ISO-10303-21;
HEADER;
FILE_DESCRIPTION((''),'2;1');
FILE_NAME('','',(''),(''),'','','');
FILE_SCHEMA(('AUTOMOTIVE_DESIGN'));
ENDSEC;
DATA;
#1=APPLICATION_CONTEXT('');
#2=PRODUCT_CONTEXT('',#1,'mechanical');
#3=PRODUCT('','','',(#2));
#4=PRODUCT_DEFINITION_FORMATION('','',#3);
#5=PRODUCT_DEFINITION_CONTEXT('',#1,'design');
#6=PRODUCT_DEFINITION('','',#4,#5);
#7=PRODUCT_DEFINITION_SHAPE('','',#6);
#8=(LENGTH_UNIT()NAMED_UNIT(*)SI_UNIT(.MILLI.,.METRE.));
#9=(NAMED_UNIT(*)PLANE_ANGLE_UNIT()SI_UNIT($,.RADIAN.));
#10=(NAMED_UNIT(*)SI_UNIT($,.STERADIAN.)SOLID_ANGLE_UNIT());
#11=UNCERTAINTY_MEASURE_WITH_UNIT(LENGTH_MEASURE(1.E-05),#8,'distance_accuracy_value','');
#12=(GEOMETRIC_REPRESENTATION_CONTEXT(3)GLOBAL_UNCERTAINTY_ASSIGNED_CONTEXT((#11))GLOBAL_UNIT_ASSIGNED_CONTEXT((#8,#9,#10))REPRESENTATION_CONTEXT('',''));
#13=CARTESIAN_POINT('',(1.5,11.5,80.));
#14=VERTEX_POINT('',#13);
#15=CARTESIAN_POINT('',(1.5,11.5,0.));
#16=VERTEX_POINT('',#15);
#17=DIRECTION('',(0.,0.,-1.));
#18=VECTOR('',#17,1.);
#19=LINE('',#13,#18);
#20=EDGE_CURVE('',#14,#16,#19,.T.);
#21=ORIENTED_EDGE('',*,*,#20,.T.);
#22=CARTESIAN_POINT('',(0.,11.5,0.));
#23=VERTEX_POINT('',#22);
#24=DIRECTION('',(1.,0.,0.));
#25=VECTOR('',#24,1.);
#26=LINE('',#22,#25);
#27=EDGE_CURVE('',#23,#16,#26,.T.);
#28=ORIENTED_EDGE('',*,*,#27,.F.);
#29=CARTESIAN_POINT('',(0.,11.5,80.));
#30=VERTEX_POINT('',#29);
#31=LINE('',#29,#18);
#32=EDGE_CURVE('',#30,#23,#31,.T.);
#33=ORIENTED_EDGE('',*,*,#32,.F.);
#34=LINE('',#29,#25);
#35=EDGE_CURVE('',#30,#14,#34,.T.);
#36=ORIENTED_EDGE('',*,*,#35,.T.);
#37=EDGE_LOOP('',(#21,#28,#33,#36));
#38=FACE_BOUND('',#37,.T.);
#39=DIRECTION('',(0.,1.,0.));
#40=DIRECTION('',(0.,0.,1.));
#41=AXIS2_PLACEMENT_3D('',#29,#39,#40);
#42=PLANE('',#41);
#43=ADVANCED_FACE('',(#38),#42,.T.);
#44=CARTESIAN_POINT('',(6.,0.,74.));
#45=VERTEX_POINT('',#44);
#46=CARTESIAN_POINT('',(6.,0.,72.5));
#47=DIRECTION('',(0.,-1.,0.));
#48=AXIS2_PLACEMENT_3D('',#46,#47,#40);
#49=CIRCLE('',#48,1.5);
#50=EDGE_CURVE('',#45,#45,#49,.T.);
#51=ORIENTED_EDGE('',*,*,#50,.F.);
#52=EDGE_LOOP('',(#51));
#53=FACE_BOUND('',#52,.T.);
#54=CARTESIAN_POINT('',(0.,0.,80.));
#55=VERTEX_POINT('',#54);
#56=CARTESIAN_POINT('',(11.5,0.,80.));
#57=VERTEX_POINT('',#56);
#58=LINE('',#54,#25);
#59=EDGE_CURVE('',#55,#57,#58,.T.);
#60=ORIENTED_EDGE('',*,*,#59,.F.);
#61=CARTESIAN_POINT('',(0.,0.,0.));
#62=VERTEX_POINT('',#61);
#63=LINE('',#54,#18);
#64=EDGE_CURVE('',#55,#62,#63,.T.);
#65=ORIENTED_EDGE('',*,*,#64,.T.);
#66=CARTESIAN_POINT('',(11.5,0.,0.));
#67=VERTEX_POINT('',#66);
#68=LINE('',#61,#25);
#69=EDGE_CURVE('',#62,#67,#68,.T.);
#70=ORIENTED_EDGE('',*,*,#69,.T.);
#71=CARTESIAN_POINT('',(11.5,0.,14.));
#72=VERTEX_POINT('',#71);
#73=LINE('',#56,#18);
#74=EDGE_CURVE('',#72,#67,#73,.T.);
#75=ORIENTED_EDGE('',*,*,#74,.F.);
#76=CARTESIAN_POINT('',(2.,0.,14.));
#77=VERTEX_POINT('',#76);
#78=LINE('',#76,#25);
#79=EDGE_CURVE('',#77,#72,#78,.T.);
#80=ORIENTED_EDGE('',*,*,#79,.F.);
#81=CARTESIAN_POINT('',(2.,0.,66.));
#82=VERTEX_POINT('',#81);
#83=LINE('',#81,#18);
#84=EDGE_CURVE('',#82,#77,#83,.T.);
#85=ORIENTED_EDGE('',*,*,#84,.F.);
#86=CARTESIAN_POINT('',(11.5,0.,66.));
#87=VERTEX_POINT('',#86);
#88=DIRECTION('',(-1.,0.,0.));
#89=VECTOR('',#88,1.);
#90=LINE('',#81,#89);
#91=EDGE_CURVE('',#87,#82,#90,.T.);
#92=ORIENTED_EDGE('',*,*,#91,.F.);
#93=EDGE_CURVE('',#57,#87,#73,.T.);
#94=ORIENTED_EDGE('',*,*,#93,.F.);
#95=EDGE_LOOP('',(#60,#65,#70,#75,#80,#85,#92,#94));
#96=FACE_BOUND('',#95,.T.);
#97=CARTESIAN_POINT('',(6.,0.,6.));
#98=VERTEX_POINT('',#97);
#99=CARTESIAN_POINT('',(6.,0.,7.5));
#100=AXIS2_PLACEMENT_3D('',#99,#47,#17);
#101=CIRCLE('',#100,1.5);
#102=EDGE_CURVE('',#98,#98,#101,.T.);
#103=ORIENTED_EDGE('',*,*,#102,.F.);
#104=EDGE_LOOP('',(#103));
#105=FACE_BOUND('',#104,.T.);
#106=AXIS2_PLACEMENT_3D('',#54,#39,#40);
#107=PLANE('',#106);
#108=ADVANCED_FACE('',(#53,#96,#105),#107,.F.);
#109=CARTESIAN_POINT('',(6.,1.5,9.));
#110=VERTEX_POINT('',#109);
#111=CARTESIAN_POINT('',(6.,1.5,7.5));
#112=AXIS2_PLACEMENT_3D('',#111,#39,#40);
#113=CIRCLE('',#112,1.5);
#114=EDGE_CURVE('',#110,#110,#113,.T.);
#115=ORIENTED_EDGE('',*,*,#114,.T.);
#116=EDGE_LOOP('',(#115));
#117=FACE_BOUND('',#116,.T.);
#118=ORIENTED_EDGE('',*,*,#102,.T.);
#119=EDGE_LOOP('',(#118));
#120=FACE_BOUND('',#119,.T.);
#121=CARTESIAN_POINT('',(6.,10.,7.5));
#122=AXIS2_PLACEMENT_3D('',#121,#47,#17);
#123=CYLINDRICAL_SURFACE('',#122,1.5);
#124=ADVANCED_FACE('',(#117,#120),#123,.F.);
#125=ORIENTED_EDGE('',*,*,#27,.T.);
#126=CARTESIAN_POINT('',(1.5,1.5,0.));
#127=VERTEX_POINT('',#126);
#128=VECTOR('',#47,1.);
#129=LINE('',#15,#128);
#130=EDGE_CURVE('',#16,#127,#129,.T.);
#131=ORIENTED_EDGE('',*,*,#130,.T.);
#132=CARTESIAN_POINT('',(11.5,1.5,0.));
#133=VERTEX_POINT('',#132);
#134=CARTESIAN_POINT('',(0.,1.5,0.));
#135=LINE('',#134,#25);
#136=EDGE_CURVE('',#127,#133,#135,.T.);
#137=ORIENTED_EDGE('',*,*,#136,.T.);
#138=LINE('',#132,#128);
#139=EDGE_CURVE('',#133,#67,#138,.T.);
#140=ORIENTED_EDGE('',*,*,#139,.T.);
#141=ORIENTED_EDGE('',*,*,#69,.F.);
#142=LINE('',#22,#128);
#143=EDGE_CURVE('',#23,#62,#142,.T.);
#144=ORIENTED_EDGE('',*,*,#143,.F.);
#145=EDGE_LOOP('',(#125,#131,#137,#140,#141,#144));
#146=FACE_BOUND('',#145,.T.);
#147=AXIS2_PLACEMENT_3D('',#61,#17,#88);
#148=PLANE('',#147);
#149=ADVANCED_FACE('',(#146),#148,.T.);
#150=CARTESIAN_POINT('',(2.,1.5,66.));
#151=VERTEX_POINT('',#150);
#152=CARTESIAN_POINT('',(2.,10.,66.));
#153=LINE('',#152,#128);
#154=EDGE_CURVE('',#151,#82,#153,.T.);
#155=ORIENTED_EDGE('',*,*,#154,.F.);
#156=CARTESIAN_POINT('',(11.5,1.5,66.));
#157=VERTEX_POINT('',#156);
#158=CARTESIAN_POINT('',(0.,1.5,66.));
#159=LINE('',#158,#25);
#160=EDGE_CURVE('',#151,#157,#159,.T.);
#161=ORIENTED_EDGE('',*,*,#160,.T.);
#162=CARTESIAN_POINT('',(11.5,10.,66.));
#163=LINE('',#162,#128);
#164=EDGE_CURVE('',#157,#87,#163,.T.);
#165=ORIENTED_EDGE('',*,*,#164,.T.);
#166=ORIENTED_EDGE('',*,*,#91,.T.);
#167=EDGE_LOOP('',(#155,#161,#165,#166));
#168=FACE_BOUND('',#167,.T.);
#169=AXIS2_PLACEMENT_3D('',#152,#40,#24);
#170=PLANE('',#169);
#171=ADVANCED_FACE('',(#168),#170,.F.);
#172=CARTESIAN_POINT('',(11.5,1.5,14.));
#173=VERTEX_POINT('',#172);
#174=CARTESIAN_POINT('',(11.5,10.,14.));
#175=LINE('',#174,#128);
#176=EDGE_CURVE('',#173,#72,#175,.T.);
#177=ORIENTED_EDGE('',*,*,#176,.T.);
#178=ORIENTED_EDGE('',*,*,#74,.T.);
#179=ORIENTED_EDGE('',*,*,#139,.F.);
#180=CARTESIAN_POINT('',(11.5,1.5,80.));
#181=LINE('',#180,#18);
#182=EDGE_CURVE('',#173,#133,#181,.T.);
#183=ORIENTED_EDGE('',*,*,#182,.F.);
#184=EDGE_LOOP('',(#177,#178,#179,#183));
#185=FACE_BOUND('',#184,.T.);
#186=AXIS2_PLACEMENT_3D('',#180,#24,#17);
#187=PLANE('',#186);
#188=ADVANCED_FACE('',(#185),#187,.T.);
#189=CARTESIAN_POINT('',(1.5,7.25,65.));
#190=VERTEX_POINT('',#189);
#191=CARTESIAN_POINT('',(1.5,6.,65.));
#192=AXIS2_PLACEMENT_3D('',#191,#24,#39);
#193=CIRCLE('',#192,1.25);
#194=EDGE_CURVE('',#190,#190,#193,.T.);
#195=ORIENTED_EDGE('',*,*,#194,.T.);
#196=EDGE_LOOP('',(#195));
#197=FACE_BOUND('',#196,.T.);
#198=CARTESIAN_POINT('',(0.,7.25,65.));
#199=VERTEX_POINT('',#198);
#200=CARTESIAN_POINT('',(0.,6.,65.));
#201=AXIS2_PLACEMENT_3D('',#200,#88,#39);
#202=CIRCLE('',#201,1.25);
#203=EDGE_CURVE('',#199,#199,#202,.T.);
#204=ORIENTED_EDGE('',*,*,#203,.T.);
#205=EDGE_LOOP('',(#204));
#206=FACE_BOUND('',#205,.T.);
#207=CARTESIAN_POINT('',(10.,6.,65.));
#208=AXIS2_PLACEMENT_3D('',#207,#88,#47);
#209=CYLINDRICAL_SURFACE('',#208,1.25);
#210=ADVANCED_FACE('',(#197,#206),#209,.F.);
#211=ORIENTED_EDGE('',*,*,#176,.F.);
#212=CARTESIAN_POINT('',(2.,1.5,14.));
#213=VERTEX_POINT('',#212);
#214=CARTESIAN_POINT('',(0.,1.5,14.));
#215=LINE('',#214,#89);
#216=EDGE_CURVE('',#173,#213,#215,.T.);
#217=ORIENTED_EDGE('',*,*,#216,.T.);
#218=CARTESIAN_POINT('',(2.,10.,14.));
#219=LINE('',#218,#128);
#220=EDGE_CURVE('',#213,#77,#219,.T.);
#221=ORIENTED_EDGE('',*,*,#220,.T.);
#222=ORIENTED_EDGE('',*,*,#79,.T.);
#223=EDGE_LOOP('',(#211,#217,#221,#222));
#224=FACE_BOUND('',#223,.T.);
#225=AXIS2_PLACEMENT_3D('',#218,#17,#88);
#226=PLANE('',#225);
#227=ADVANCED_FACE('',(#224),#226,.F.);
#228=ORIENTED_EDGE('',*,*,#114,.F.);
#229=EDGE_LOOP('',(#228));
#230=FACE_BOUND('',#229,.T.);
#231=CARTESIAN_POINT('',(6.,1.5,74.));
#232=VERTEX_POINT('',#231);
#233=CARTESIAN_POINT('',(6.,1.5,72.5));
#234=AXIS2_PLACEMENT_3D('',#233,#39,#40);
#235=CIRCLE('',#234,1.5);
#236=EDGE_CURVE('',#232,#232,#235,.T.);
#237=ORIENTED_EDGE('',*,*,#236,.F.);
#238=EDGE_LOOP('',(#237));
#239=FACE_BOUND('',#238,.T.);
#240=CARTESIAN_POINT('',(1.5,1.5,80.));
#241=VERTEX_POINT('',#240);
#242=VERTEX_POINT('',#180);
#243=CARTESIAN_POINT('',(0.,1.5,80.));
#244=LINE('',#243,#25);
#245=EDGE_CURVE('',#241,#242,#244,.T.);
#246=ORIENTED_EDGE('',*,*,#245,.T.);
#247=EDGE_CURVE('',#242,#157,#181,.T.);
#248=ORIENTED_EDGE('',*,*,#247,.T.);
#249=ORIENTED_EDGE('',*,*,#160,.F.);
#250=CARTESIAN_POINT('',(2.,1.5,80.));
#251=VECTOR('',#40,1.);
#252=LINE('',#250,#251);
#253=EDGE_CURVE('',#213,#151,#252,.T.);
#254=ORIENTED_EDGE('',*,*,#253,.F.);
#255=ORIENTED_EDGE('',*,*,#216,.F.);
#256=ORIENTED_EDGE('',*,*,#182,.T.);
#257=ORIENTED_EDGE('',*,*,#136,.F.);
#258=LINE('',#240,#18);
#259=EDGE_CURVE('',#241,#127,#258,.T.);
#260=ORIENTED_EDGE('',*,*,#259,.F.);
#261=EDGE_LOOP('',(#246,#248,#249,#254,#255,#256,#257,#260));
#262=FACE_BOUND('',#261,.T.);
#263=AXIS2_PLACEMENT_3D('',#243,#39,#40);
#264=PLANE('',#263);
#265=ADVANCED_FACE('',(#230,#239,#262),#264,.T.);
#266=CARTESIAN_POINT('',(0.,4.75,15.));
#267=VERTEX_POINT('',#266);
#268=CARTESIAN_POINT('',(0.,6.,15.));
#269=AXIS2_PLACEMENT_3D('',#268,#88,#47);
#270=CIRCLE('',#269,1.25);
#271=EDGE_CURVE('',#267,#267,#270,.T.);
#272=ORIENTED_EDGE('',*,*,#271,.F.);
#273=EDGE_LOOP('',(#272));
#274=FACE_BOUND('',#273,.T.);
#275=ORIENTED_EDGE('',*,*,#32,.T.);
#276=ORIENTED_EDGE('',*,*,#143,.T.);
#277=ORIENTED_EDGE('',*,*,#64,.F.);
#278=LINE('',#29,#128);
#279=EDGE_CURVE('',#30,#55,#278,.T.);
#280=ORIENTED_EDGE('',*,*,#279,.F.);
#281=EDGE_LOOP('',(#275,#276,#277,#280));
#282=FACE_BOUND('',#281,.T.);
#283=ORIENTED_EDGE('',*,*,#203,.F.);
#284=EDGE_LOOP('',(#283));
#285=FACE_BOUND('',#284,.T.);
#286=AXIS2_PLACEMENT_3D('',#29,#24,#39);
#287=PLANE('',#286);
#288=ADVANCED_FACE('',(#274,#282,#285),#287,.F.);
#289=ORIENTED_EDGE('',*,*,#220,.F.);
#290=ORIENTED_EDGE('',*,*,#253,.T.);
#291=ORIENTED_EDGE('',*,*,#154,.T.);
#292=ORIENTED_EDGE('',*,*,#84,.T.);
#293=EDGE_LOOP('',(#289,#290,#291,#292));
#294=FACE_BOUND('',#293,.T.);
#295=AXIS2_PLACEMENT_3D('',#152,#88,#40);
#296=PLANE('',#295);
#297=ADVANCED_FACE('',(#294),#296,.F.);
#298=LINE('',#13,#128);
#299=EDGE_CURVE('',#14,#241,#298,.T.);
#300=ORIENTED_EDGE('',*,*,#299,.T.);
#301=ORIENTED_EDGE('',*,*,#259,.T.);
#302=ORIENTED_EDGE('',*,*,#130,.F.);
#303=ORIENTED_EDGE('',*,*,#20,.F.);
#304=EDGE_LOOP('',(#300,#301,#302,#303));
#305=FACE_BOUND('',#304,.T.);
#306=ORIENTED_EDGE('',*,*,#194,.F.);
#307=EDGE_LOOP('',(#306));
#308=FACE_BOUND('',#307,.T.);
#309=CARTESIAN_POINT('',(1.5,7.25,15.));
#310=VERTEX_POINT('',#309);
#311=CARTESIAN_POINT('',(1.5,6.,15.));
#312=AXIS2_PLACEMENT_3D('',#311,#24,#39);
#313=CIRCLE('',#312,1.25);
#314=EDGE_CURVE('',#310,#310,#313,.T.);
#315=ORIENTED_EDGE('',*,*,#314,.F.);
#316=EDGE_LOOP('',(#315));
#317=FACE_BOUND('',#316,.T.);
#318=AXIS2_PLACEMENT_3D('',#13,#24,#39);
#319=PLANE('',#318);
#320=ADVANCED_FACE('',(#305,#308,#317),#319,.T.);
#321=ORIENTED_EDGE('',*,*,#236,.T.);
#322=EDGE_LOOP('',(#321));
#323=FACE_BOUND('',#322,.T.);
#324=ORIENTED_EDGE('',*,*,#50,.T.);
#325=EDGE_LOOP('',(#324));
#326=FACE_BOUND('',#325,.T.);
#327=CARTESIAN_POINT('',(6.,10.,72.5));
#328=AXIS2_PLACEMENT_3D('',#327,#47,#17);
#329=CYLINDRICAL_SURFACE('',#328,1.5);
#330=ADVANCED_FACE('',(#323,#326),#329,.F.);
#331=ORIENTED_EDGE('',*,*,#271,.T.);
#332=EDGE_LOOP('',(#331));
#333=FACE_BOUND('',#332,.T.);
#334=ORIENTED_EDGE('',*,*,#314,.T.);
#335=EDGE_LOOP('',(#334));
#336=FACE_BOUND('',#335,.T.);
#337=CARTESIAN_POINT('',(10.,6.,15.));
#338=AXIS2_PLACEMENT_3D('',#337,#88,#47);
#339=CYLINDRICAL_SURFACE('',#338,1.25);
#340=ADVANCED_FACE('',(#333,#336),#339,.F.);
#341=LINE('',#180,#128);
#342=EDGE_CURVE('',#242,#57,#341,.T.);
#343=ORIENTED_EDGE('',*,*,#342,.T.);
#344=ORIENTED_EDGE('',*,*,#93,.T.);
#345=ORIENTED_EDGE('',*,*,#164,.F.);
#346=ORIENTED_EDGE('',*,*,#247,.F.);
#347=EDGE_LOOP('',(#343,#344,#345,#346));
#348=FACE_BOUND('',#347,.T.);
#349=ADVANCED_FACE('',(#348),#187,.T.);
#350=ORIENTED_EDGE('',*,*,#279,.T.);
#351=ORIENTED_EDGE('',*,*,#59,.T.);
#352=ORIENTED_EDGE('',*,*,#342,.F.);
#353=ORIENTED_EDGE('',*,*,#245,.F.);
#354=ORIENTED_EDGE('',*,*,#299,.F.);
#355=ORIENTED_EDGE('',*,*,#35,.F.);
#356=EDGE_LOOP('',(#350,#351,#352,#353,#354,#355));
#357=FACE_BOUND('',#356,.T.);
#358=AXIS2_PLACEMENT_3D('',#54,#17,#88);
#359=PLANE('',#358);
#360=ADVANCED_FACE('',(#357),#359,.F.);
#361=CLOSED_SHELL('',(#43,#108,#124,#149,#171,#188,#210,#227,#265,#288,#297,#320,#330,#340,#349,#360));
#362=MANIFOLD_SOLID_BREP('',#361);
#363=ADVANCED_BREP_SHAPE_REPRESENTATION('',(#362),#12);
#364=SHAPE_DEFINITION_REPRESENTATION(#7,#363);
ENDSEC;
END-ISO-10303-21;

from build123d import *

# Parameters (mm, degrees)
EXTRU_MINCE1_DEPTH      = 80
ESQUISSE2_R             = 1.25
ENL_V_MAT_EXTRU_1_DEPTH = 10
ESQUISSE3_R             = 1.5
ESQUISSE3_W             = 9.5
ESQUISSE3_H             = 52
ENL_V_MAT_EXTRU_2_DEPTH = 10


with BuildPart() as part:
    # Esquisse1 → Extru.-Mince1 (new body)
    with BuildSketch(Plane.XY):
        Polygon((0, 11.5), (0, 0), (11.5, 0), (11.5, 1.5), (1.5, 1.5), (1.5, 11.5), align=None)
    extrude(amount=EXTRU_MINCE1_DEPTH)

    # Esquisse2 → Enlèv. mat.-Extru.1 (cut)
    with BuildSketch(Plane.ZY):
        with Locations(Location((15, 6, 0), (0, 0, 270))):
            Circle(ESQUISSE2_R)
        with Locations(Location((65, 6, 0), (0, 0, 90))):
            Circle(ESQUISSE2_R)
    extrude(amount=-ENL_V_MAT_EXTRU_1_DEPTH, mode=Mode.SUBTRACT)

    # Esquisse3 → Enlèv. mat.-Extru.2 (cut)
    with BuildSketch(Plane.XZ):
        with Locations(Location((6, 7.5, 0), (0, 0, 270))):
            Circle(ESQUISSE3_R)
        with Locations(Location((6, 72.5, 0), (0, 0, 90))):
            Circle(ESQUISSE3_R)
        with Locations((6.75, 40)):
            Rectangle(ESQUISSE3_W, ESQUISSE3_H)
    extrude(amount=-ENL_V_MAT_EXTRU_2_DEPTH, mode=Mode.SUBTRACT)


solid = part.part
